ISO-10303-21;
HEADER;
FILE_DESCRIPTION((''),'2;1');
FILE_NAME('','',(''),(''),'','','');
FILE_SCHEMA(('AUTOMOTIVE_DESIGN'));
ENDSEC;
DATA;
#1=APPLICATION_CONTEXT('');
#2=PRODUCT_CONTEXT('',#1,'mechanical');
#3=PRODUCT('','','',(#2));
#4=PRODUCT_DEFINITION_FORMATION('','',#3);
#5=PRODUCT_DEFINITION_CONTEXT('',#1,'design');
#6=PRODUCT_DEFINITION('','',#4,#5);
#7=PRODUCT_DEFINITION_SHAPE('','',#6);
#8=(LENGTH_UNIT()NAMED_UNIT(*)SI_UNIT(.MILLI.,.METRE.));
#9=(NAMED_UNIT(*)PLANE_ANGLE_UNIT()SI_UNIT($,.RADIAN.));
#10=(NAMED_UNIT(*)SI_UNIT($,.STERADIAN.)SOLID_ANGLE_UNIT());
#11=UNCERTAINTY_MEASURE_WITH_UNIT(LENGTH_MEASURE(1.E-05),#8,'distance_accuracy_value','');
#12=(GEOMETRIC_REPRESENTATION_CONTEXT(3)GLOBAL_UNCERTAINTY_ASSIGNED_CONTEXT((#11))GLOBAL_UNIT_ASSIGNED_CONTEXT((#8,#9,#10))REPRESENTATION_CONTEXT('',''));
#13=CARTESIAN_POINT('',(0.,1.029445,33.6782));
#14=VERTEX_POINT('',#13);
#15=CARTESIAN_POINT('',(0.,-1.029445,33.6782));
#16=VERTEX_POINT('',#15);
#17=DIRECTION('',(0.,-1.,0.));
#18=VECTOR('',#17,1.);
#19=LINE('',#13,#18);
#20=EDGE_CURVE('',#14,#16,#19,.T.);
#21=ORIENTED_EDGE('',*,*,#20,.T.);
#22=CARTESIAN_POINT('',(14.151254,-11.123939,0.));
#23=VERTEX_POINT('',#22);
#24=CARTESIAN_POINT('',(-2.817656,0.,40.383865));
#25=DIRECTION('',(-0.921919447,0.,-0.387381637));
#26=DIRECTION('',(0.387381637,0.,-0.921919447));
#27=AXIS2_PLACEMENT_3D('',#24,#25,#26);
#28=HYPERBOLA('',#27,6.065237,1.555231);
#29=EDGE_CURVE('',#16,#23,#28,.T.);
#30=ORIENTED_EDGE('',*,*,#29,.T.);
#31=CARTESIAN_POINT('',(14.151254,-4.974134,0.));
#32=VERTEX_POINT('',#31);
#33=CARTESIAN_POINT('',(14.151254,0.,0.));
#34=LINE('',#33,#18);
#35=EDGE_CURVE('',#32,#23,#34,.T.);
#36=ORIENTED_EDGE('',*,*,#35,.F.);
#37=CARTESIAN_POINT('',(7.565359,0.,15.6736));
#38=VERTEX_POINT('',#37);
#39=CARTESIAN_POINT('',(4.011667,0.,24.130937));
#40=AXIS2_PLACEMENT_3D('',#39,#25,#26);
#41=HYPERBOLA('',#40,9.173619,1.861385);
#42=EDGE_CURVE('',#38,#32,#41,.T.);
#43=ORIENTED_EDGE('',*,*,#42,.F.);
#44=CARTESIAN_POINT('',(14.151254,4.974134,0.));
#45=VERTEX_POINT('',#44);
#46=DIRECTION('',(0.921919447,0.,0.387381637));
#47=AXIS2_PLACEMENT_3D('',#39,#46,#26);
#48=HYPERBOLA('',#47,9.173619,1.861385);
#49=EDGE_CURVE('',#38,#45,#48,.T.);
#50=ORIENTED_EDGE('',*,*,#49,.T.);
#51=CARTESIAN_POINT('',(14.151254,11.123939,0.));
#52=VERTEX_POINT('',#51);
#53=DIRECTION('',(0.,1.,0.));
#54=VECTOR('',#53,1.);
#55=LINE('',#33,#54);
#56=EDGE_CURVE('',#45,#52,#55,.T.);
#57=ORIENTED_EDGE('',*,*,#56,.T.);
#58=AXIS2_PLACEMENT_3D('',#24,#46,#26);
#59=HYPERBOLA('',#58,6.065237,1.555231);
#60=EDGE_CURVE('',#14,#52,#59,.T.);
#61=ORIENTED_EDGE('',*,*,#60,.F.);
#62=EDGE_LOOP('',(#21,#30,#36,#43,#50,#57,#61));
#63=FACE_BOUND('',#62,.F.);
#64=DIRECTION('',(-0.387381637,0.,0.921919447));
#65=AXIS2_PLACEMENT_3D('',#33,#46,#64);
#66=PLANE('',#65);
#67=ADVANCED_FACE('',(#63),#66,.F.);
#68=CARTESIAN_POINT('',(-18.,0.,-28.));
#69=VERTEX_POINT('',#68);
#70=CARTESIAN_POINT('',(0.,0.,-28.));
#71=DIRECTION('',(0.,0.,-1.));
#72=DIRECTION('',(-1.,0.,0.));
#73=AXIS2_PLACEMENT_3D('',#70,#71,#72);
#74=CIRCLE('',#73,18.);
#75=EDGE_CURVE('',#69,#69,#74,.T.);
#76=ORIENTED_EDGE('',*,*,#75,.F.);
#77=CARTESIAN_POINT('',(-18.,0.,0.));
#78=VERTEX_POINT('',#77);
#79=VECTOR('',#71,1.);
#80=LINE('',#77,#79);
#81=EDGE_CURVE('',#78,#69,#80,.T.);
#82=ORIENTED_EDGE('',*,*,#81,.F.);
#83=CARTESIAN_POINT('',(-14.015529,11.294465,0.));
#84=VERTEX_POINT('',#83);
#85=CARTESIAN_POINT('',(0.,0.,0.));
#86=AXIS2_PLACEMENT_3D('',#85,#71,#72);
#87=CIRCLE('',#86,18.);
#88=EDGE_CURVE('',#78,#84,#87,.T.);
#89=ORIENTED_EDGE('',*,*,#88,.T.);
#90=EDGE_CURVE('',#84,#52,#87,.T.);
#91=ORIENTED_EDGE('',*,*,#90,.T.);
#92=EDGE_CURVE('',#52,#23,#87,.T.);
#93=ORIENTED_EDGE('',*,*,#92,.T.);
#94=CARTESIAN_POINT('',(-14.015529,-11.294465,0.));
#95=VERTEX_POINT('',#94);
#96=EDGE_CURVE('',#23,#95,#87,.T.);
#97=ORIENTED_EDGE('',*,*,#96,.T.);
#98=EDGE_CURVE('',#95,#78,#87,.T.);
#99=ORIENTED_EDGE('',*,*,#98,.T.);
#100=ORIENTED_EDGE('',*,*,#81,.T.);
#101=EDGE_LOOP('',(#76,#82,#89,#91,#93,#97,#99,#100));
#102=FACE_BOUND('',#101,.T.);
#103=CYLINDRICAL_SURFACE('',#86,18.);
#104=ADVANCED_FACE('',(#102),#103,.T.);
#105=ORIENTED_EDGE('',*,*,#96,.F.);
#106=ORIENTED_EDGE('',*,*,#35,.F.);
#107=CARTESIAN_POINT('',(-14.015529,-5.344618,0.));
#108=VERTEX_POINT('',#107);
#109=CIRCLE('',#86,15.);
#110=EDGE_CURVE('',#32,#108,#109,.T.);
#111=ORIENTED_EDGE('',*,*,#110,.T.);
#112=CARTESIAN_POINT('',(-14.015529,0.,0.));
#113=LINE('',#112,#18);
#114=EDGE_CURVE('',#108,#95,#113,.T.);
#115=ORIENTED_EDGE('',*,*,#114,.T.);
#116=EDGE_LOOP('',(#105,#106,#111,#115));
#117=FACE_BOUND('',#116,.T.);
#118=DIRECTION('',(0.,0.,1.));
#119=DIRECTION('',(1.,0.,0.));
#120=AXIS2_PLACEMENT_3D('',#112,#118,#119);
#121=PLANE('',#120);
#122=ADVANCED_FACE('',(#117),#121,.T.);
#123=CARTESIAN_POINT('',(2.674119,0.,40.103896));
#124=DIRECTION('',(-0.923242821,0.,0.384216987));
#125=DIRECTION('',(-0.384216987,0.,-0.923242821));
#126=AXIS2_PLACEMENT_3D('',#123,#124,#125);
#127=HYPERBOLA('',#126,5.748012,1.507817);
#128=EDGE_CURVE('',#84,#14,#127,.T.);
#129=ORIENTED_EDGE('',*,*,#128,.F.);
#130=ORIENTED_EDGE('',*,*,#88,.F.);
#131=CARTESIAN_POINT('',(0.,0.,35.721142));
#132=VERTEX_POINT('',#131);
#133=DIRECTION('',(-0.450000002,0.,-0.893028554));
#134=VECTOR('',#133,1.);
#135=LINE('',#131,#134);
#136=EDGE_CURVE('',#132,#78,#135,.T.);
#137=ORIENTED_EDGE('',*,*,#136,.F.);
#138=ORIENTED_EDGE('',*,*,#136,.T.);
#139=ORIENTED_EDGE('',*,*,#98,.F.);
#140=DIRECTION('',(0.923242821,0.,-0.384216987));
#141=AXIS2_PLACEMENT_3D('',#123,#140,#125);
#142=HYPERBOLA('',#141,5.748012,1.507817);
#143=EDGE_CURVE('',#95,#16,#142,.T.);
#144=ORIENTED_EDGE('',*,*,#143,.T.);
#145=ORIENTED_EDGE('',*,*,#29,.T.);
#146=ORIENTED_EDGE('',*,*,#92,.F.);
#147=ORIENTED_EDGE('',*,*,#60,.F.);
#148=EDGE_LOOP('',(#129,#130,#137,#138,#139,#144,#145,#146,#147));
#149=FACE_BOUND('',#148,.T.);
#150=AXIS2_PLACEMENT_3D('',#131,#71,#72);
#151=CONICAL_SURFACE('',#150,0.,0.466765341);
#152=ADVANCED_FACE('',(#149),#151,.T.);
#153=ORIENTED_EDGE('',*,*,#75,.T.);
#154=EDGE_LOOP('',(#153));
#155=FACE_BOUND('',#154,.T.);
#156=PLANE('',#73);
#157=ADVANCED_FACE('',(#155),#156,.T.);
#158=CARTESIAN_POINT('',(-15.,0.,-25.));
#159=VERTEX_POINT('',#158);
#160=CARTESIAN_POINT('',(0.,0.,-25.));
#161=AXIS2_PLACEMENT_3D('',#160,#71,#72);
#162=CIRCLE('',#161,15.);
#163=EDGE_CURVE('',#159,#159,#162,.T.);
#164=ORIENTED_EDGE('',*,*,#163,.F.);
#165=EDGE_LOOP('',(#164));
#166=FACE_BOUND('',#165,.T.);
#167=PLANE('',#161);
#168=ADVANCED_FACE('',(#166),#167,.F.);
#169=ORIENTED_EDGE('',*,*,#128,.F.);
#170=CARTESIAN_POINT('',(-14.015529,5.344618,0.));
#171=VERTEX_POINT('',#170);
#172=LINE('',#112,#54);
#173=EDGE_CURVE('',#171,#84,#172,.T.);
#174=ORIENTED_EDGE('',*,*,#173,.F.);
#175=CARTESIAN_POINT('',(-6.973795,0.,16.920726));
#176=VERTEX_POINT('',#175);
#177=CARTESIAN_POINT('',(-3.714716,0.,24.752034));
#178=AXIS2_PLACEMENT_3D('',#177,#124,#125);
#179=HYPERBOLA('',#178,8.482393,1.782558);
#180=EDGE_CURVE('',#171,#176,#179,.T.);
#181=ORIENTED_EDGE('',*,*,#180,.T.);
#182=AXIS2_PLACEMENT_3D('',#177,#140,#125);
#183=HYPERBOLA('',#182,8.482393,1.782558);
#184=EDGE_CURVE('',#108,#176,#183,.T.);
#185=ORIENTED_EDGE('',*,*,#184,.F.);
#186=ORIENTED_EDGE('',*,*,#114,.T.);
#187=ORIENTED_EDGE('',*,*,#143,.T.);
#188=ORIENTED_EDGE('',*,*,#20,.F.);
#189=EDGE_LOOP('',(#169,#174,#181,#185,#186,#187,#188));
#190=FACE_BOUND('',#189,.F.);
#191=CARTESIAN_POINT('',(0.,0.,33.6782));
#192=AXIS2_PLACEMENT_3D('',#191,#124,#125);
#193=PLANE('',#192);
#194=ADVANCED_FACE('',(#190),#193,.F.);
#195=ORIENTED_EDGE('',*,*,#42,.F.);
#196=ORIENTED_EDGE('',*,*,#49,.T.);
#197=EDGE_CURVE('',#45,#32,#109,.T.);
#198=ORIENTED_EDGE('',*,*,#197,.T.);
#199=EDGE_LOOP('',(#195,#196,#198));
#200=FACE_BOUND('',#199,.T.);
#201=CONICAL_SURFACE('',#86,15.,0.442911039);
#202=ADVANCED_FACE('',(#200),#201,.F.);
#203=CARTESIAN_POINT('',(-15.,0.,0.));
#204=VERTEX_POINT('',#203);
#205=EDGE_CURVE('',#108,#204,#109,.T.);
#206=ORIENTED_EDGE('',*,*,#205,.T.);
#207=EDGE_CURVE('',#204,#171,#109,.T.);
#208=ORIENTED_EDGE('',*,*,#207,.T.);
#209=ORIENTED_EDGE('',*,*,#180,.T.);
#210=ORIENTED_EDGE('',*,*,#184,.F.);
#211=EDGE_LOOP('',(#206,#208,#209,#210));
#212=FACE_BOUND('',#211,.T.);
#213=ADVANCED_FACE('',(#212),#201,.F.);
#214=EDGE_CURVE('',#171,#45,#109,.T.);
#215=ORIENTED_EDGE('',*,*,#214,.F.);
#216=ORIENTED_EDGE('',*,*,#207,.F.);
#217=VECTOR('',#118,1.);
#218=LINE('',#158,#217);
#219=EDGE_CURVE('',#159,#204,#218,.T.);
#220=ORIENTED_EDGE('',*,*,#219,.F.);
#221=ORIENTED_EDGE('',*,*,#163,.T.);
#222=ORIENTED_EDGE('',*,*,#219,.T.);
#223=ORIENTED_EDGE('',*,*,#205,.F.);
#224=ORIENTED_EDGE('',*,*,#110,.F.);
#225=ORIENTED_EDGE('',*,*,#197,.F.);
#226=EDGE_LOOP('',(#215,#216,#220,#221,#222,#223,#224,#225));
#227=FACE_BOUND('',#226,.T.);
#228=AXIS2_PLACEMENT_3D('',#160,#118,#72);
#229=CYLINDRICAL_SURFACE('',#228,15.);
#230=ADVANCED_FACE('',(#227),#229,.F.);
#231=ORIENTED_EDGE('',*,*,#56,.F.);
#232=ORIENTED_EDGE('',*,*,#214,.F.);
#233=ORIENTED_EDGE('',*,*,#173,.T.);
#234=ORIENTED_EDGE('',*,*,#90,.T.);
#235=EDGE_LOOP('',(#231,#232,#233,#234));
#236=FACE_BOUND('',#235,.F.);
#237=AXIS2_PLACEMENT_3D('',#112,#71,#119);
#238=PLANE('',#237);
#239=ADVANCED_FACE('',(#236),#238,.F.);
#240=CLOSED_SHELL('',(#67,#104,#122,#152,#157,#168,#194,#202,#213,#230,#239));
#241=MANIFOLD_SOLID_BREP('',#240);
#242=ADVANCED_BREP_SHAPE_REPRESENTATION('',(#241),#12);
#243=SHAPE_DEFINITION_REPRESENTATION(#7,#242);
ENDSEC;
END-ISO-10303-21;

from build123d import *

# Parameters (mm, degrees)
F3_DEPTH = 25
F4_DEPTH = 25


with BuildPart() as f1:
    # F0 (on Front) → F1 (revolve)
    with BuildSketch(Plane.XZ):
        Polygon((0, 31.622777), (0, 35.721142), (-18, 0), (-18, -28), (0, -28), (0, -25), (-15, -25), (-15, 0), align=None)
    revolve(axis=Axis((0, 0, 3.311388), (0, 0, -1)))

    # F2 (on Front) → F3 (cut)
    with BuildSketch(Plane.XZ):
        Polygon((0, 33.6782), (-14.015529, 0), (14.151254, 0), align=None)
    extrude(amount=-F3_DEPTH, mode=Mode.SUBTRACT)

    # F2 (on Front) → F4 (cut)
    with BuildSketch(Plane.XZ):
        Polygon((0, 33.6782), (-14.015529, 0), (14.151254, 0), align=None)
    extrude(amount=F4_DEPTH, mode=Mode.SUBTRACT)


solid = f1.part
